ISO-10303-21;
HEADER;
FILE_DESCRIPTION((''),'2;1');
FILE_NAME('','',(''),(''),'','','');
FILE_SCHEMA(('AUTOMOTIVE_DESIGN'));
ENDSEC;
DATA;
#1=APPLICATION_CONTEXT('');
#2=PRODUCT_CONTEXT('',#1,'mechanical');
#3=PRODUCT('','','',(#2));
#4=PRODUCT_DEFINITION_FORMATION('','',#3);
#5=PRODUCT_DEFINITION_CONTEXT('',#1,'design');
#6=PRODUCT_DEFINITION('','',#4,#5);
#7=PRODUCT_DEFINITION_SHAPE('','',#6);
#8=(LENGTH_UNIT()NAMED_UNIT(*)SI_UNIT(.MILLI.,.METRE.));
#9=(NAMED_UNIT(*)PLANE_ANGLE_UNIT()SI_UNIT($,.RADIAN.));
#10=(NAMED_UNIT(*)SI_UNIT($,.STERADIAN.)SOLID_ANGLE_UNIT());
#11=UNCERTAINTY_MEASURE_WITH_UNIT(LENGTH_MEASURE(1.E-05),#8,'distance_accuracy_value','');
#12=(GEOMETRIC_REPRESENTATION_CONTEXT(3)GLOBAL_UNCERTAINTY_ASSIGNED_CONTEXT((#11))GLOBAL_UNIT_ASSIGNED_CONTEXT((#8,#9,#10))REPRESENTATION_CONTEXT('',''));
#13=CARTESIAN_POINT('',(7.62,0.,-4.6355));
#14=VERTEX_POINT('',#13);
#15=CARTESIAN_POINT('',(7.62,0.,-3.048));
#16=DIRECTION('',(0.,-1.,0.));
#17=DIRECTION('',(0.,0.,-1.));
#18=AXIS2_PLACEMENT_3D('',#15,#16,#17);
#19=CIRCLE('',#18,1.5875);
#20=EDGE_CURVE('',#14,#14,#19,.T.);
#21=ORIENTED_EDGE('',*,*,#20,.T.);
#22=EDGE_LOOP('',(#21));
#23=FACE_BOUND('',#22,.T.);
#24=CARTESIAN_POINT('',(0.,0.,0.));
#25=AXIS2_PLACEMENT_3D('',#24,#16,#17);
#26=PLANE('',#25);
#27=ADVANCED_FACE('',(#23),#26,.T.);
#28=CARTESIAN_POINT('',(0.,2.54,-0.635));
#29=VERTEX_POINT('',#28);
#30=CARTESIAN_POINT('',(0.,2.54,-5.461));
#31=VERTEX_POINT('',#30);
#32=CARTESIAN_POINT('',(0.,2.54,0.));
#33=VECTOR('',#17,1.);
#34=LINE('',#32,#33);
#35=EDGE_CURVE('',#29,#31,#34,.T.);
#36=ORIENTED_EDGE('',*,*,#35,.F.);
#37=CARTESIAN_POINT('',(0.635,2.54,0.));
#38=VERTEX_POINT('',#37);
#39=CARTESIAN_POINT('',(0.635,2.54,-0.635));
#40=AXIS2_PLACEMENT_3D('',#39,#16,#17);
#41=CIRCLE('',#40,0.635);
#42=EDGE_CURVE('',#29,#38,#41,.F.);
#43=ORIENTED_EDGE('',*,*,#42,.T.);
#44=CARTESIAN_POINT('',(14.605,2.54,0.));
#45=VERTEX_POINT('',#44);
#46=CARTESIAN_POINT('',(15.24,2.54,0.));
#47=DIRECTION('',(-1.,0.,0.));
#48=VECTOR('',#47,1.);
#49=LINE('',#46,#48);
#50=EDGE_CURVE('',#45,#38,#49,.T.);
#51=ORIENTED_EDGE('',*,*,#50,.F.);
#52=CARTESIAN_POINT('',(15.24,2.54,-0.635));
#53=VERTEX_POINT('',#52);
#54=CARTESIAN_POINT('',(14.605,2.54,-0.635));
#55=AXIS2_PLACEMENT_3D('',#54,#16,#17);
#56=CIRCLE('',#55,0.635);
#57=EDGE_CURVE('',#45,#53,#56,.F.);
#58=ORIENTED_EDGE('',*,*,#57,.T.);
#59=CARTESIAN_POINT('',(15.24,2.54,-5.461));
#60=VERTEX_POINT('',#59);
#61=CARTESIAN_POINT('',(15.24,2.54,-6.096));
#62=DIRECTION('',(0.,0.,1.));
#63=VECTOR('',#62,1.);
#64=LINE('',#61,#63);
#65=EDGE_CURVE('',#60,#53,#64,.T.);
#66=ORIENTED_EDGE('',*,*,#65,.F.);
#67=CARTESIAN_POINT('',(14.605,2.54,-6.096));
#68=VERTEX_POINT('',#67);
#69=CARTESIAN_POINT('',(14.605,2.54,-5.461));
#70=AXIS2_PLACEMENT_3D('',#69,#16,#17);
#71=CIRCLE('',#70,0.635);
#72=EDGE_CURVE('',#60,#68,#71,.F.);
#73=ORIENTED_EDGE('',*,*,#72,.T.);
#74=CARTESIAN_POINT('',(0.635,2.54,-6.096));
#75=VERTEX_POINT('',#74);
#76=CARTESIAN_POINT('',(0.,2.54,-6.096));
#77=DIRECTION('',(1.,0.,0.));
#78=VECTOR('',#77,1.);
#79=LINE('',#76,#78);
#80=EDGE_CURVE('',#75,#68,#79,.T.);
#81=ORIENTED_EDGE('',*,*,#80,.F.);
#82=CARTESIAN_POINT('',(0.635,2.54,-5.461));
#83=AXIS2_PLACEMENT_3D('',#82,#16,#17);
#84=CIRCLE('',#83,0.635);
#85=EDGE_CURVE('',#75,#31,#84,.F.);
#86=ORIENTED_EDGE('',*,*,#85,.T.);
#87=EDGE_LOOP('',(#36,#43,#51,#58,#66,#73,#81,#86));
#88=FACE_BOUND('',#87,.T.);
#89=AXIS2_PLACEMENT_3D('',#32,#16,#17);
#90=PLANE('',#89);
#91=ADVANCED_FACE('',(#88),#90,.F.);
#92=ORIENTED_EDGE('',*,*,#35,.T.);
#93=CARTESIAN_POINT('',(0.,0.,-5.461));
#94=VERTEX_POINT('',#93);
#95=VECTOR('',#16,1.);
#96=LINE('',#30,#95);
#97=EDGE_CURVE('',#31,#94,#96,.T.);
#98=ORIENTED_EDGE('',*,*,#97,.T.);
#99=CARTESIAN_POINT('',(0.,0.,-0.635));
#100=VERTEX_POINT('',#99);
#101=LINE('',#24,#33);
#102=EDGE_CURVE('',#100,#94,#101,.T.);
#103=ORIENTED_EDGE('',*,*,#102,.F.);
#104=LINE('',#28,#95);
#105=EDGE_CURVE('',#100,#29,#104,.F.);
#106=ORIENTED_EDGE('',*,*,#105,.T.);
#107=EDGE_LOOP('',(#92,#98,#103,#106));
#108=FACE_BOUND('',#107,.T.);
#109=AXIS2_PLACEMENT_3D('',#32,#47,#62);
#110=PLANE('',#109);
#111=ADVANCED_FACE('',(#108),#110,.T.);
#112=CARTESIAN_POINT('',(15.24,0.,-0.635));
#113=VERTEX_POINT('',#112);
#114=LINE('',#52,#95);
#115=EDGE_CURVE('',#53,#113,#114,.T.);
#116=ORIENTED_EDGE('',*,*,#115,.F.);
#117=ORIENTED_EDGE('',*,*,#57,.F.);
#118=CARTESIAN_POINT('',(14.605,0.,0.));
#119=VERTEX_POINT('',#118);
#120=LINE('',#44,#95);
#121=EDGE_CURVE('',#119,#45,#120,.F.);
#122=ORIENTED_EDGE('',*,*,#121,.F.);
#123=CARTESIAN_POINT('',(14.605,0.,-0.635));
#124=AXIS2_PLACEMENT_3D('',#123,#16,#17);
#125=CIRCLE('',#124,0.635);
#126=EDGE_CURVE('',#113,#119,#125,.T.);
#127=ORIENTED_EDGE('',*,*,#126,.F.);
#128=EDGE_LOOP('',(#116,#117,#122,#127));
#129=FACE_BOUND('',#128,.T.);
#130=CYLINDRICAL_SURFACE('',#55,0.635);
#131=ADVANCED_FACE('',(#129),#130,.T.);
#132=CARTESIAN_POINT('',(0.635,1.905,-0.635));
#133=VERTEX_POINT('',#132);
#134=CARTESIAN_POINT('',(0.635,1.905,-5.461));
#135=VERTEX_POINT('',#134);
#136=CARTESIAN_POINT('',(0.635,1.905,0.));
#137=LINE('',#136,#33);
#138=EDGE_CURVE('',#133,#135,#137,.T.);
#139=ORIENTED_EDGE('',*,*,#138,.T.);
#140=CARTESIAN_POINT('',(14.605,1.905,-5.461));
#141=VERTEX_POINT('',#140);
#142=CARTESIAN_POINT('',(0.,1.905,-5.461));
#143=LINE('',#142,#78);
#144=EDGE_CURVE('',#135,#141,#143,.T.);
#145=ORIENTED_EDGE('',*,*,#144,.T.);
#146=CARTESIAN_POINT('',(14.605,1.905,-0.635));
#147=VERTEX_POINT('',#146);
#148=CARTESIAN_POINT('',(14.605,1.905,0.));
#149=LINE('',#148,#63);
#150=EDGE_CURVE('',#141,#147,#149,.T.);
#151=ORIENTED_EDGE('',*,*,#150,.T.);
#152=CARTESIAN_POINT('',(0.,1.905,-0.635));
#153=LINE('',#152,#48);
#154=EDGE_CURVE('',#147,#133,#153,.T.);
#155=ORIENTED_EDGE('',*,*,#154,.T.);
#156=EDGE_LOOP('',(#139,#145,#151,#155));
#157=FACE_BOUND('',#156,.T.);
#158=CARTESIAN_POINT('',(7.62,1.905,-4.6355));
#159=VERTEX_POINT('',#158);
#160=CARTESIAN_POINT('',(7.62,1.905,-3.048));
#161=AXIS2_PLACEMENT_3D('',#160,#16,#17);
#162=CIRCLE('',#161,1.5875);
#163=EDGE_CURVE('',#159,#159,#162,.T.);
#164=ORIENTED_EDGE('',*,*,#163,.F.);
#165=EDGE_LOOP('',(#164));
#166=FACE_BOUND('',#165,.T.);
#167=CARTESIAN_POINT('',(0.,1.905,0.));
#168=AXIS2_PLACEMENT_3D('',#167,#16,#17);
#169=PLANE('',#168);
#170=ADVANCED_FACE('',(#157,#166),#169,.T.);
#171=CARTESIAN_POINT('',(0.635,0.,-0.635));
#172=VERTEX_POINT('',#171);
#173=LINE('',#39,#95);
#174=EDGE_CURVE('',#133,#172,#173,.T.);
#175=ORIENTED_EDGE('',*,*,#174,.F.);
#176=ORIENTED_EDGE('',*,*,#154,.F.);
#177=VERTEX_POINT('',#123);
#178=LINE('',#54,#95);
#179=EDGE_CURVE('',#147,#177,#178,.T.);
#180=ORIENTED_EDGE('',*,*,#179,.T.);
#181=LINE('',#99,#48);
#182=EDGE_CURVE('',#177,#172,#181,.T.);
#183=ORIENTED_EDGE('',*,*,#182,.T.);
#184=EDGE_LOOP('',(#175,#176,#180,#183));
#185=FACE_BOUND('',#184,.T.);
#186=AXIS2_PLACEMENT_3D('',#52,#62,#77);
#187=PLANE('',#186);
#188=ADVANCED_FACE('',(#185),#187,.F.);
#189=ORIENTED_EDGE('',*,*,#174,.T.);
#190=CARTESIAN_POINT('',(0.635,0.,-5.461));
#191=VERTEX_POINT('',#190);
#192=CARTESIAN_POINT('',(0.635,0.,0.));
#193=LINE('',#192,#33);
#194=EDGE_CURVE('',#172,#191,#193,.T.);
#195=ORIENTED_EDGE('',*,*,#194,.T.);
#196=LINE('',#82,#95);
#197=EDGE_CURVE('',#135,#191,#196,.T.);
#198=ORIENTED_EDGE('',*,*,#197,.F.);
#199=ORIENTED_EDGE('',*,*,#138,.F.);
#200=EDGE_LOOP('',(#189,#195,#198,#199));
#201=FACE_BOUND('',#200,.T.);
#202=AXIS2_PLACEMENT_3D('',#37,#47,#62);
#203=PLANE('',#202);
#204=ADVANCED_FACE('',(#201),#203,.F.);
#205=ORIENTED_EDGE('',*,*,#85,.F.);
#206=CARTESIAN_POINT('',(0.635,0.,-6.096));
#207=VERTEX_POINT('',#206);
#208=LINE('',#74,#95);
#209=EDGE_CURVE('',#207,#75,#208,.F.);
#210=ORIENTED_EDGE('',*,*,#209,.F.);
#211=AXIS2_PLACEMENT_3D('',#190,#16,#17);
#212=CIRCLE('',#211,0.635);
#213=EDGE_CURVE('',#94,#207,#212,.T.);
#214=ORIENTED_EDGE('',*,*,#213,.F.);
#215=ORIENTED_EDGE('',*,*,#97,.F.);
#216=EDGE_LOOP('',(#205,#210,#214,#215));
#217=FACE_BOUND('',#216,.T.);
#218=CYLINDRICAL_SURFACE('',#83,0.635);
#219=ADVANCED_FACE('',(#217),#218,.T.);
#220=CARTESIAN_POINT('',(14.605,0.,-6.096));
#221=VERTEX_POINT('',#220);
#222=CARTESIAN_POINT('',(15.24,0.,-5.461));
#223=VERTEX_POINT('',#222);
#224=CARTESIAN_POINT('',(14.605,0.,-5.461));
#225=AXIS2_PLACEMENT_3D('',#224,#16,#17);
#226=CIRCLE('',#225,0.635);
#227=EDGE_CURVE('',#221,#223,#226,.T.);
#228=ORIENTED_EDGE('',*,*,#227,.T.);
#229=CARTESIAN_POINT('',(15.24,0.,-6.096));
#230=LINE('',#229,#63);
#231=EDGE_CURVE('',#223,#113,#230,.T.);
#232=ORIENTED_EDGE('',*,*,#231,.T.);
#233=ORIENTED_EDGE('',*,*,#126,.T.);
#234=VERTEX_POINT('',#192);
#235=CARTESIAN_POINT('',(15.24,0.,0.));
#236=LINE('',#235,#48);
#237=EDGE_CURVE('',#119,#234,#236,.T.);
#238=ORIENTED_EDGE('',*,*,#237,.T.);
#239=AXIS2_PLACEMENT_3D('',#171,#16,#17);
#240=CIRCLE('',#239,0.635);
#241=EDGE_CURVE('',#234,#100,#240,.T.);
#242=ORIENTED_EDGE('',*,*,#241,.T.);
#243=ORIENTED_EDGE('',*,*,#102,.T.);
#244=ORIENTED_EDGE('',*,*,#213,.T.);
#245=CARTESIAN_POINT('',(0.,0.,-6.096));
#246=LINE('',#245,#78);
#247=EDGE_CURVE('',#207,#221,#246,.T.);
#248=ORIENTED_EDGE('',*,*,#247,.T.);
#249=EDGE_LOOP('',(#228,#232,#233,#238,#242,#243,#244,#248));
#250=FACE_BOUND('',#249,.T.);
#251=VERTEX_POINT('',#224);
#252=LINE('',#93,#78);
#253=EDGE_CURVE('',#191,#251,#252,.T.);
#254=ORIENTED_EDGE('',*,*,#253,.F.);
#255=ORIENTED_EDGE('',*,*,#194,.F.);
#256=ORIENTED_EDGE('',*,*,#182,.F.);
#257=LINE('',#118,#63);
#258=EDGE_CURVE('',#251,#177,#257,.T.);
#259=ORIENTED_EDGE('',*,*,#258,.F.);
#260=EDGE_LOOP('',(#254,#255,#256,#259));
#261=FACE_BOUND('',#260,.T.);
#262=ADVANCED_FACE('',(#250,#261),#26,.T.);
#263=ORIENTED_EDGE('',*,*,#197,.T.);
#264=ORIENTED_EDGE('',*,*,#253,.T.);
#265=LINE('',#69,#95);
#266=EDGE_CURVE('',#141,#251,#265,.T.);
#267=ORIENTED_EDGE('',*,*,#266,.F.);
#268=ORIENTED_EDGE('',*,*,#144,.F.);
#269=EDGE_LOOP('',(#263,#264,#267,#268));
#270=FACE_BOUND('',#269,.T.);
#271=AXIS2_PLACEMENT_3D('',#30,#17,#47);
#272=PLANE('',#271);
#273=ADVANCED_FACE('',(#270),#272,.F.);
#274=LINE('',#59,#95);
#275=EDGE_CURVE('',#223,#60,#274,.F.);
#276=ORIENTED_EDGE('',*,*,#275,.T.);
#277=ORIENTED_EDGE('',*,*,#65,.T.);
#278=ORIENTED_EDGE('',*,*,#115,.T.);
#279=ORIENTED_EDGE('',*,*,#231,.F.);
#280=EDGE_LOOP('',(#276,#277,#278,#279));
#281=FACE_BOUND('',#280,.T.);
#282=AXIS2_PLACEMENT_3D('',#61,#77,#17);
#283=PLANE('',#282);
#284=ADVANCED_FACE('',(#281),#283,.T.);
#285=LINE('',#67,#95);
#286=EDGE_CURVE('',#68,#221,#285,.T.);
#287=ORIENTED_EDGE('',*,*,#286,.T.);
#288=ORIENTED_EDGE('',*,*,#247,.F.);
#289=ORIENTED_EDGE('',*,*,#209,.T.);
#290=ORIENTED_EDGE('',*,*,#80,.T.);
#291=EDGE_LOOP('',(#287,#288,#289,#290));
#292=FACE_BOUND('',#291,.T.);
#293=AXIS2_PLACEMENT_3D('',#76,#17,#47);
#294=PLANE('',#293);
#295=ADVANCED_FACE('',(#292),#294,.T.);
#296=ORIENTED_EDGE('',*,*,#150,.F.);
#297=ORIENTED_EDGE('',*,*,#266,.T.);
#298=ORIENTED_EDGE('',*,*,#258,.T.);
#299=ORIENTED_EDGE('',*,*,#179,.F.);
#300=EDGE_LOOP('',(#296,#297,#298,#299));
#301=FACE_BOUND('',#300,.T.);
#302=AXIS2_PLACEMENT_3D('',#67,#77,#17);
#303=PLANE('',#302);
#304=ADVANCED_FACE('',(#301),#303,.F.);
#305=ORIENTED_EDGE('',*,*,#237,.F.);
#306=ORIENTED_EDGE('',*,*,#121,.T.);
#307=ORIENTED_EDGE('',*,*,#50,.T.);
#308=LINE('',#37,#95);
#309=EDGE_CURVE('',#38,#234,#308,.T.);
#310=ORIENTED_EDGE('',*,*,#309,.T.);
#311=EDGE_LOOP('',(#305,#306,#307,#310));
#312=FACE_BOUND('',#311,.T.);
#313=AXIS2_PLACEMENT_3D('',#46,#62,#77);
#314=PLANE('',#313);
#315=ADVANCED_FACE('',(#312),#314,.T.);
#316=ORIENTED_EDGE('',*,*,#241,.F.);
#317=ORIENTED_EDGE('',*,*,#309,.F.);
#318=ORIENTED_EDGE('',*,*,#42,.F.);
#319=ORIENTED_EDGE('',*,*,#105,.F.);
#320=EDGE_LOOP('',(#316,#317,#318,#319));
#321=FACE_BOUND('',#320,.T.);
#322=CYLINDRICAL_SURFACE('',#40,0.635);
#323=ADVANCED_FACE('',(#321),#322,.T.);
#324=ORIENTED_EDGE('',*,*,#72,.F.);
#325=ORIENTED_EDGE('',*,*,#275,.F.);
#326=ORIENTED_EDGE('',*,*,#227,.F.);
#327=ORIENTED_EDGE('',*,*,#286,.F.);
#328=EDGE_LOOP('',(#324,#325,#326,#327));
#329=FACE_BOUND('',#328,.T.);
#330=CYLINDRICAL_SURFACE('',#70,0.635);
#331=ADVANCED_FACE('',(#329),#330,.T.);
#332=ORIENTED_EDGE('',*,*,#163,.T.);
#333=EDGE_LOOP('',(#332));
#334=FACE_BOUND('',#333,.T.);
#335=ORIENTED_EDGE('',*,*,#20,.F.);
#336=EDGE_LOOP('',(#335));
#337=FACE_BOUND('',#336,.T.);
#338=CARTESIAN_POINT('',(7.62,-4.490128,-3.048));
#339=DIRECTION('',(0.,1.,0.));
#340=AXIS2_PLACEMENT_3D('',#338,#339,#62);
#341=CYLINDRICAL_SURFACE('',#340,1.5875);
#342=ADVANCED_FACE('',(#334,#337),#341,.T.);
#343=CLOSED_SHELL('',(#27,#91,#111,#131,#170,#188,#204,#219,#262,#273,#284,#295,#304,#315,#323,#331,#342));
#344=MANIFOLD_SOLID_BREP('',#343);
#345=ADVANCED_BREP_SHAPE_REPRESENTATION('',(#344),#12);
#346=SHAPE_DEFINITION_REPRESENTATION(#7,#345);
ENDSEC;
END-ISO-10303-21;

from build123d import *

# Parameters (mm, degrees)
SKETCH1_W           = 15.24
SKETCH1_H           = 6.096
BOSS_EXTRUDE1_DEPTH = 2.54
SHELL1_T            = -0.635
FILLET1_R           = 0.635
SKETCH2_R           = 1.5875
BOSS_EXTRUDE2_DEPTH = 1.905


with BuildPart() as part:
    # Sketch1 → Boss-Extrude1 (new body)
    with BuildSketch(Plane(origin=(0, 0, 0), x_dir=(1, 0, 0), z_dir=(0, 1, 0))):
        with Locations((7.62, 3.048)):
            Rectangle(SKETCH1_W, SKETCH1_H)
    extrude(amount=BOSS_EXTRUDE1_DEPTH)

    # Shell1
    shell1_openings = [part.faces().sort_by_distance(p)[0] for p in [
        (7.62, 0, -3.048),
    ]]
    offset(amount=SHELL1_T, openings=shell1_openings, kind=Kind.INTERSECTION)

    # Fillet1
    fillet1_edges = [part.edges().sort_by_distance(p)[0] for p in [
        (0, 1.27, 0),
        (15.24, 1.27, 0),
        (15.24, 1.27, -6.096),
        (0, 1.27, -6.096),
    ]]
    fillet(fillet1_edges, radius=FILLET1_R)

    # Sketch2 → Boss-Extrude2 (add)
    with BuildSketch(Plane.XZ.offset(-1.905)):
        with Locations(Location((7.62, -3.048, 0), (0, 0, 270))):
            Circle(SKETCH2_R)
    extrude(amount=BOSS_EXTRUDE2_DEPTH)


solid = part.part
